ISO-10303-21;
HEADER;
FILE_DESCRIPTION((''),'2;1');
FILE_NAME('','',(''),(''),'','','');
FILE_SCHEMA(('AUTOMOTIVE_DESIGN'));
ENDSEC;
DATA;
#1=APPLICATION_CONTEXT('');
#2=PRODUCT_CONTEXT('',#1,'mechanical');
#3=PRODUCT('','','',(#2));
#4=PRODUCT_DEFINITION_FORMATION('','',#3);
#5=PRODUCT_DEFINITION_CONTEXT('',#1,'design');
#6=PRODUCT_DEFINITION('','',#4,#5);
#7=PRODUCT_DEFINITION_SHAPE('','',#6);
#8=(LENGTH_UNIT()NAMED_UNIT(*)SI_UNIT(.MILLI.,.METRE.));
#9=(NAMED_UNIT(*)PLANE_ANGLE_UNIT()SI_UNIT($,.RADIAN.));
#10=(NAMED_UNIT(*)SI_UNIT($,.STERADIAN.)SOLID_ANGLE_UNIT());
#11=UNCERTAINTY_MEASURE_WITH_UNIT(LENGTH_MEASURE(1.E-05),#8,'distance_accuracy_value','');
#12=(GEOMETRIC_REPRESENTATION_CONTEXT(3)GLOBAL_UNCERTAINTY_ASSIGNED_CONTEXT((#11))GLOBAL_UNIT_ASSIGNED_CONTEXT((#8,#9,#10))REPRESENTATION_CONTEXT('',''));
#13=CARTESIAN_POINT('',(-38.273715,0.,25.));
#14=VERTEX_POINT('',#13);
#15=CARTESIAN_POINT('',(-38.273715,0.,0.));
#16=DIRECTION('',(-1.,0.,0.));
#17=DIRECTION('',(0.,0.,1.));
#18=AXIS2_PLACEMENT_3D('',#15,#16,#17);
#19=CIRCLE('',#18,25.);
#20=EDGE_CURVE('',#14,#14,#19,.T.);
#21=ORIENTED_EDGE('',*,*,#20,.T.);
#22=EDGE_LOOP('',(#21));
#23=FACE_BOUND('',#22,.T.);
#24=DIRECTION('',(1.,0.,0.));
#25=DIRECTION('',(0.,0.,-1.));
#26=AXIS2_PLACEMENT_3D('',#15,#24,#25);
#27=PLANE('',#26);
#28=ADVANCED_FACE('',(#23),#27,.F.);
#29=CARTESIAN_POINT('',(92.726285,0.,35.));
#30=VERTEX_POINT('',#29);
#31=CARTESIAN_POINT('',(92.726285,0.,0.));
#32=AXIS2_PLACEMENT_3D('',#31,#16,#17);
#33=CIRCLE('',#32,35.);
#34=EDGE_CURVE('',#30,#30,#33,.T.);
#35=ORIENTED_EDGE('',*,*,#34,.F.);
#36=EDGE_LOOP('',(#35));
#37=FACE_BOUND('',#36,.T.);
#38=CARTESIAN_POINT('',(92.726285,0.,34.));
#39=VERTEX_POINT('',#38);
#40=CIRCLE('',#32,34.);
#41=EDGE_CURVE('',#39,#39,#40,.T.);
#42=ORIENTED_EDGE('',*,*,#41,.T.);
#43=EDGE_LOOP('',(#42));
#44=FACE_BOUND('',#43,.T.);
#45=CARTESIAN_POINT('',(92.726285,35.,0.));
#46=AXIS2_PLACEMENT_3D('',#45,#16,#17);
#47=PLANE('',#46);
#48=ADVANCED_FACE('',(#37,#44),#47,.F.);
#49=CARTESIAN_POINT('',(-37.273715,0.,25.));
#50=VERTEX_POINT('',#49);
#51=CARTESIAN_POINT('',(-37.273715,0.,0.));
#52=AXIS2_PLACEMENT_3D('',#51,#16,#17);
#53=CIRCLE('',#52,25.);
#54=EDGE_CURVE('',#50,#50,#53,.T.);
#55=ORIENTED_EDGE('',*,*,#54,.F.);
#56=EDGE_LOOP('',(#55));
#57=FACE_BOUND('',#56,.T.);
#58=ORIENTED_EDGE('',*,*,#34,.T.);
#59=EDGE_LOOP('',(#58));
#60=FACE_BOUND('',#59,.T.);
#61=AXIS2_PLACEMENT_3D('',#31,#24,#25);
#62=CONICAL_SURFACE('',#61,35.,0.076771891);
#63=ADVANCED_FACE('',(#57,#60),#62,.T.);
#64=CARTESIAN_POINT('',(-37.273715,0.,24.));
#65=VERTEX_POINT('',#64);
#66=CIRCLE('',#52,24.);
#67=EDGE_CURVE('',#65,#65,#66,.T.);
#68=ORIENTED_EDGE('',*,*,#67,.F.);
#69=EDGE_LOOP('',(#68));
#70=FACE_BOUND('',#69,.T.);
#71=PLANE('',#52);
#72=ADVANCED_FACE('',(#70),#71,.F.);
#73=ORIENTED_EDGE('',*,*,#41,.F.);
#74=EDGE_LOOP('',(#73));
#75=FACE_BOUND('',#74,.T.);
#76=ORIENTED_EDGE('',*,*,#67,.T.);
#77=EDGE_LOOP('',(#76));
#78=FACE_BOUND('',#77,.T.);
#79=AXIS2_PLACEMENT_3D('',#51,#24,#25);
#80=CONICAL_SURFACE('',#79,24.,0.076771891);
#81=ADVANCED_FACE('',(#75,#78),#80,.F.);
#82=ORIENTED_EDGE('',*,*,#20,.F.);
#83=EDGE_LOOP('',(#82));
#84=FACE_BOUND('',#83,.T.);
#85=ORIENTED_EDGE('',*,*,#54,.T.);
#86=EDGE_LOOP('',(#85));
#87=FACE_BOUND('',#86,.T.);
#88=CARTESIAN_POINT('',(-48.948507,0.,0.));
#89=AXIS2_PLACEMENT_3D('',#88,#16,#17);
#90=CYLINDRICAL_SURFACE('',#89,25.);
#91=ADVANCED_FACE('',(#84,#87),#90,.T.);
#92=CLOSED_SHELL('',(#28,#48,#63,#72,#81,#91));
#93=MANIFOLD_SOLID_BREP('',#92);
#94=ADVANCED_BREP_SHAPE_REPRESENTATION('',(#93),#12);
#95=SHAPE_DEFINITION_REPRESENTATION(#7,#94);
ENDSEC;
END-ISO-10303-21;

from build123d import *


with BuildPart() as part:
    # Esquisse1 → Révolution1 (revolve)
    with BuildSketch(Plane.XY, mode=Mode.PRIVATE) as r_volution1_sk:
        Polygon((-37.273714645, 25), (92.726285355, 35), (92.726285355, 34), (-37.273714645, 24), (-37.273714645, 0), (-38.273714645, 0), (-38.273714645, 25), align=None)
    revolve(r_volution1_sk.sketch.rotate(Axis((-48.948507427, 0, 0), (1, 0, 0)), 90), axis=Axis((-48.948507427, 0, 0), (1, 0, 0)))


solid = part.part
